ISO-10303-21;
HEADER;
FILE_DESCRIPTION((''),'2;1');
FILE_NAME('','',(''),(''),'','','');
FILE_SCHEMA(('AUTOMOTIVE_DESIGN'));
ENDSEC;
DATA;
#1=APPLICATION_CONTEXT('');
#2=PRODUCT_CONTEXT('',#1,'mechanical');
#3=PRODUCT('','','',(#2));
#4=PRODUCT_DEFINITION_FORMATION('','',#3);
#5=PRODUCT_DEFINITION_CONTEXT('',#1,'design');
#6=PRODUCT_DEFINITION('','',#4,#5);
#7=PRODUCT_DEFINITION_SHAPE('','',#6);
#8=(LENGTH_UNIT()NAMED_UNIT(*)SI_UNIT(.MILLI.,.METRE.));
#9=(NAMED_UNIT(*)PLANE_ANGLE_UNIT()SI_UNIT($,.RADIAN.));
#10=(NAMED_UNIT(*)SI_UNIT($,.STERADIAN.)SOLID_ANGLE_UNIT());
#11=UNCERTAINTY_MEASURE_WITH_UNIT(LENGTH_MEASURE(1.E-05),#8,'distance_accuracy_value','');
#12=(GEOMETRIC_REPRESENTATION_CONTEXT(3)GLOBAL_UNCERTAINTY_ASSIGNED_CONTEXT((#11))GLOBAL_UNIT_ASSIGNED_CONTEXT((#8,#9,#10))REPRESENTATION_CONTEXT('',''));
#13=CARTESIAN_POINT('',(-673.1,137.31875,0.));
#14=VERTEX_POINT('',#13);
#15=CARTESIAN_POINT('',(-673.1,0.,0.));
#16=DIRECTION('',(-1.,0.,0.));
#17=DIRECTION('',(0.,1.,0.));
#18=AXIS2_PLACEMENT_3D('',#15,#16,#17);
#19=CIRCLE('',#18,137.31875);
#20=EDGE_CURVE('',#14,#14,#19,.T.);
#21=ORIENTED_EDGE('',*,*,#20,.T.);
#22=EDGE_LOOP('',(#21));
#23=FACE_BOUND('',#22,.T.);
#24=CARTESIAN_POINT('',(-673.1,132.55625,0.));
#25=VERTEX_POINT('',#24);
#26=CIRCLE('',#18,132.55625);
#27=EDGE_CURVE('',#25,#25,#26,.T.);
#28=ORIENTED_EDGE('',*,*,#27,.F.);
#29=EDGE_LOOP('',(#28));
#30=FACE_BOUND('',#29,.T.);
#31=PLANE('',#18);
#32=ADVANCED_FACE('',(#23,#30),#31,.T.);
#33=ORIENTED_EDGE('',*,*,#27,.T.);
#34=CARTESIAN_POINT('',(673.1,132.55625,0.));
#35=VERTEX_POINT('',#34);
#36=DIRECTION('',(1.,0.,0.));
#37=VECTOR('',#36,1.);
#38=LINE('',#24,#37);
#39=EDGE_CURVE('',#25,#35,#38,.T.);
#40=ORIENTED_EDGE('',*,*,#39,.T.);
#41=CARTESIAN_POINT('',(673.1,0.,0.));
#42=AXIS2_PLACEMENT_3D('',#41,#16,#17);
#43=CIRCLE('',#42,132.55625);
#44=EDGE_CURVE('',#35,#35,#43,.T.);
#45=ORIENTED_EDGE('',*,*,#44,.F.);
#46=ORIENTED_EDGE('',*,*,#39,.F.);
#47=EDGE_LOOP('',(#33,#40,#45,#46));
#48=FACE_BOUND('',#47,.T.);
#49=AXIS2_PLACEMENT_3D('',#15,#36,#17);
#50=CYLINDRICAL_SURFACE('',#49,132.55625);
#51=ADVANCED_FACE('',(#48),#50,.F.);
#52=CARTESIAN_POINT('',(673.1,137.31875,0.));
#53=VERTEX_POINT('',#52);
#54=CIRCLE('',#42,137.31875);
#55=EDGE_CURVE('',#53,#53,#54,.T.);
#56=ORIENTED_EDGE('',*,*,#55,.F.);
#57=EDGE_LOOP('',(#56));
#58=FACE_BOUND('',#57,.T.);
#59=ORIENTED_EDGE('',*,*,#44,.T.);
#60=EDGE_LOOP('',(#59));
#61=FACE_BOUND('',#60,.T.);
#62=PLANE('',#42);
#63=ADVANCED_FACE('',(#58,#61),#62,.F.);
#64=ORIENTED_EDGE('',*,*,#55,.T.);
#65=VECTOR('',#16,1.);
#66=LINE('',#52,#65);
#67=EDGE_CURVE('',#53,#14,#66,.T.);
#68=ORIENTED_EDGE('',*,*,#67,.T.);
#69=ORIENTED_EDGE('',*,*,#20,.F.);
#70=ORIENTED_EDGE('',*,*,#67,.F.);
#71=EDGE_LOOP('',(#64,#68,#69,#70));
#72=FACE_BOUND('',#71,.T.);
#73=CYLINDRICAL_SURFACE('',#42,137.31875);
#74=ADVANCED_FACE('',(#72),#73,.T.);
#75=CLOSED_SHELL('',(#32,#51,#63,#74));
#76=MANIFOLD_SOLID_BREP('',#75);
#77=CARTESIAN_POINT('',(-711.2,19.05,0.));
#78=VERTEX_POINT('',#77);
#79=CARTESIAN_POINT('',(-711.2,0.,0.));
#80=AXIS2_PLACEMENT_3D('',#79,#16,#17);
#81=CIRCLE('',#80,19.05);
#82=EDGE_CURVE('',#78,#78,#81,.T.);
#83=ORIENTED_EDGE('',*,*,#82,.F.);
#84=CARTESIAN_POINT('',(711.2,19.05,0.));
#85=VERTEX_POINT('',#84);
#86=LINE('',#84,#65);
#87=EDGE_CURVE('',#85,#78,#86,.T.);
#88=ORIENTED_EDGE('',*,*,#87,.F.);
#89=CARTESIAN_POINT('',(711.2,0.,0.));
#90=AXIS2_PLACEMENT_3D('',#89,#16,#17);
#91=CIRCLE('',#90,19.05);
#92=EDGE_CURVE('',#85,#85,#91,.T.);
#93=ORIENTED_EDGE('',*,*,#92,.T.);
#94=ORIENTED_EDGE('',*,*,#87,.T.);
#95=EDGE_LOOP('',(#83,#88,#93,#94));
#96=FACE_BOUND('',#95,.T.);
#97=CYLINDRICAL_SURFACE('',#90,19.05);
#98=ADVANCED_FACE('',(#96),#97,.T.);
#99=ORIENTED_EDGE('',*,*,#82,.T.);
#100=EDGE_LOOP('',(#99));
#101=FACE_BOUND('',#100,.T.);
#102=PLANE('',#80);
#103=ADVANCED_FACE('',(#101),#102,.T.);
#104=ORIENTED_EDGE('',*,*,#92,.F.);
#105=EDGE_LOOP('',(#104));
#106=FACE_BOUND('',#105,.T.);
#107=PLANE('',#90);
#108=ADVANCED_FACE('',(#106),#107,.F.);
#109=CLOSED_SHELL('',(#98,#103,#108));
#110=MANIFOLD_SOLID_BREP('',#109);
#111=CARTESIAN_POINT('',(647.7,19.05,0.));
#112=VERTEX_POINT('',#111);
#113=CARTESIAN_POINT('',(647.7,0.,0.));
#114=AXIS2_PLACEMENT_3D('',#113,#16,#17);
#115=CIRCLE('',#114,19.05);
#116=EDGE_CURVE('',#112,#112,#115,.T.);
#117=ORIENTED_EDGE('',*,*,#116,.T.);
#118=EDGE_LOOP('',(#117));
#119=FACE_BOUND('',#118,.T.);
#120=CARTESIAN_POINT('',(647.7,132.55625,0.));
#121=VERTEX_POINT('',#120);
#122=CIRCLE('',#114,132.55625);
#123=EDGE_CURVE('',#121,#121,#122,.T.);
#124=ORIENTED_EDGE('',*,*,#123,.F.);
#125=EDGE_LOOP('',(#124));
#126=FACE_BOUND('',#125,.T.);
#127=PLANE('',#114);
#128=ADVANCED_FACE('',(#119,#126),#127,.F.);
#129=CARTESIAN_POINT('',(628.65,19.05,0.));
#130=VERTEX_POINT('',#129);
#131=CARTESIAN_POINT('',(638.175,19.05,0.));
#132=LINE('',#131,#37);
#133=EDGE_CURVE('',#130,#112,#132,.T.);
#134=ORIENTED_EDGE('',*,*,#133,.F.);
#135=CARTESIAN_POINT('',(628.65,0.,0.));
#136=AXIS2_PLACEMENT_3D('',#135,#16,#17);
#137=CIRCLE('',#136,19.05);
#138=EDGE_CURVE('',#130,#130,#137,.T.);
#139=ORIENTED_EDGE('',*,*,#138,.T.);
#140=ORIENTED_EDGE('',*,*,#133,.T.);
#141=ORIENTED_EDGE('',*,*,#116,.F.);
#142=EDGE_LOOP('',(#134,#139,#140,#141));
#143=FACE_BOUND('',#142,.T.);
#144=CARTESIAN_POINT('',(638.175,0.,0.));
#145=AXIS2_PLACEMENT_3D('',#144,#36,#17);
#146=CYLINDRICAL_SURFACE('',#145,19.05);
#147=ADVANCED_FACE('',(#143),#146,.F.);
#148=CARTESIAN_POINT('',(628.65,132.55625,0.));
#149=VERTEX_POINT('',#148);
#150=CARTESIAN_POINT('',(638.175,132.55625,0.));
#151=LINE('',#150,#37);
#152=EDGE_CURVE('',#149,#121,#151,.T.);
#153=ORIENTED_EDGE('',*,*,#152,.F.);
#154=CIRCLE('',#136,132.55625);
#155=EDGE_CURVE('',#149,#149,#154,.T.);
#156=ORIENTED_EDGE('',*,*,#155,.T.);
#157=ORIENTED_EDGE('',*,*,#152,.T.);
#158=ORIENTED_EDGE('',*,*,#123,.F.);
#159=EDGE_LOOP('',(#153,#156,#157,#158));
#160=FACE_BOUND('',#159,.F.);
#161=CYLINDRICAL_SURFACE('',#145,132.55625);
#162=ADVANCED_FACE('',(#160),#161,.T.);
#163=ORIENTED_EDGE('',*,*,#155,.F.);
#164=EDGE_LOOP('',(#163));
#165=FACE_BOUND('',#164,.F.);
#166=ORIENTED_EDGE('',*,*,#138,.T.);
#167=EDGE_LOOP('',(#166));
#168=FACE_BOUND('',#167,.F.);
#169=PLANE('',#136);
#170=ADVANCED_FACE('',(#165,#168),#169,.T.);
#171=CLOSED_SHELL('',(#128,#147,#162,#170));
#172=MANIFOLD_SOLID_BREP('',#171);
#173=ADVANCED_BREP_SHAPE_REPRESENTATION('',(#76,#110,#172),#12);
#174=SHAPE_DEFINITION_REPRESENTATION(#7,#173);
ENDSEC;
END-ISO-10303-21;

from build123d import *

# Parameters (mm, degrees)
F0_W = 19.05
F0_H = 113.50625


with BuildPart() as f1:
    # F0 (on Top) → F1 (revolve)
    with BuildSketch(Plane.XY):
        Polygon((-711.2, 0), (0, 0), (0, 19.05), (-628.65, 19.05), (-647.7, 19.05), (-711.2, 19.05), align=None)
        Polygon((0, 19.05), (0, 0), (711.2, 0), (711.2, 19.05), (647.7, 19.05), (628.65, 19.05), align=None)
    revolve(axis=Axis((-355.6, 0, 0), (-1, 0, 0)))


with BuildPart() as f2:
    # F0 (on Top) → F2 (revolve)
    with BuildSketch(Plane.XY):
        with Locations((638.175, 75.803125)):
            Rectangle(F0_W, F0_H)
    revolve(axis=Axis((-355.6, 0, 0), (-1, 0, 0)))


with BuildPart() as f3:
    # F0 (on Top) → F3 (revolve)
    with BuildSketch(Plane.XY):
        Polygon((-647.7, 132.55625), (-628.65, 132.55625), (0, 132.55625), (0, 137.31875), (-673.1, 137.31875), (-673.1, 132.55625), align=None)
        Polygon((0, 132.55625), (628.65, 132.55625), (647.7, 132.55625), (673.1, 132.55625), (673.1, 137.31875), (0, 137.31875), align=None)
    revolve(axis=Axis((-355.6, 0, 0), (-1, 0, 0)))


solid = Compound([f1.part, f2.part, f3.part])
